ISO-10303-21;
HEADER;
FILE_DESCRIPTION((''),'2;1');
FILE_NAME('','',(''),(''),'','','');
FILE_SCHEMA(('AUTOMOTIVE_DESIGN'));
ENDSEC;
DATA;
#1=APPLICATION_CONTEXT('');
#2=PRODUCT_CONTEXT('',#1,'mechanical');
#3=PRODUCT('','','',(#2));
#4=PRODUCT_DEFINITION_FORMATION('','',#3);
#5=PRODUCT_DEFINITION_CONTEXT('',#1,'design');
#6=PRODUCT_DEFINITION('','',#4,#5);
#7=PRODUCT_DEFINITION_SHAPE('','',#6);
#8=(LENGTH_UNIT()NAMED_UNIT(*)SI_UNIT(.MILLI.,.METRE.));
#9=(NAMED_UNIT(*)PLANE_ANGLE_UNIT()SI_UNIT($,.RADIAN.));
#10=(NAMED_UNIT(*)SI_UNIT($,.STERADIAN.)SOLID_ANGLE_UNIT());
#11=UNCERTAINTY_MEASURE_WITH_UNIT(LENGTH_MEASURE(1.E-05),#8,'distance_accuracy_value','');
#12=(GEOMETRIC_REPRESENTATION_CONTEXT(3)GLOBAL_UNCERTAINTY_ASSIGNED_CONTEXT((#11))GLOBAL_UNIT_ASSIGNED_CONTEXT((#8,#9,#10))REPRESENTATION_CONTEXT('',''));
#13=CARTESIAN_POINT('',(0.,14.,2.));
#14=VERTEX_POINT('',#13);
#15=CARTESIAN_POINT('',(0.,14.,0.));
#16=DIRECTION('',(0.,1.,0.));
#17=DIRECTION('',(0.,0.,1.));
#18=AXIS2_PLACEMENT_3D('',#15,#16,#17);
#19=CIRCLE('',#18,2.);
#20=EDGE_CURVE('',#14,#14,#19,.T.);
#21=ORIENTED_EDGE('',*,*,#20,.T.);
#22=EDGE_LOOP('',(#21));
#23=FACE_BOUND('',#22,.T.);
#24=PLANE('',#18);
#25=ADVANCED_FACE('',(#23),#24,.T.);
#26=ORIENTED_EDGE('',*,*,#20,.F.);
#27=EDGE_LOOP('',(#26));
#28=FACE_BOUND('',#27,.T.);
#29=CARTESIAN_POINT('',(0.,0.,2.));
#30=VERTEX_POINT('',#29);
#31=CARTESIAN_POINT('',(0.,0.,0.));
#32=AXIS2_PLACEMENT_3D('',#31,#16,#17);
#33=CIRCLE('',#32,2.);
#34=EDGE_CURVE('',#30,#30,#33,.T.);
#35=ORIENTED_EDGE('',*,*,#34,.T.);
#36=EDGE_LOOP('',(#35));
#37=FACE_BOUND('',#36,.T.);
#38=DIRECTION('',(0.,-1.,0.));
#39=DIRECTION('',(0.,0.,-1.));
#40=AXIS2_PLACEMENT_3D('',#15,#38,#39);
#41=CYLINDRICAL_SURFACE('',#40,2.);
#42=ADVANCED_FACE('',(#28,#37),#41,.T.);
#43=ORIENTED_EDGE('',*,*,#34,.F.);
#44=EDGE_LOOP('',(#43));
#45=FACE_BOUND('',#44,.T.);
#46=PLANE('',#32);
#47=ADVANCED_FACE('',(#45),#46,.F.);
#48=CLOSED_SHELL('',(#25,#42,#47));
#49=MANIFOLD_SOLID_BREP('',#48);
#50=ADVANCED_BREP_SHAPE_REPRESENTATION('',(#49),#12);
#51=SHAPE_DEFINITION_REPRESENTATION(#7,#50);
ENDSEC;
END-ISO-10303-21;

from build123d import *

# Parameters (mm, degrees)
CROQUIS1_R              = 2
SALIENTE_EXTRUIR1_DEPTH = 14


with BuildPart() as part:
    # Croquis1 → Saliente-Extruir1 (new body)
    with BuildSketch(Plane(origin=(0, 0, 0), x_dir=(1, 0, 0), z_dir=(0, 1, 0))):
        Circle(CROQUIS1_R)
    extrude(amount=SALIENTE_EXTRUIR1_DEPTH)


solid = part.part
